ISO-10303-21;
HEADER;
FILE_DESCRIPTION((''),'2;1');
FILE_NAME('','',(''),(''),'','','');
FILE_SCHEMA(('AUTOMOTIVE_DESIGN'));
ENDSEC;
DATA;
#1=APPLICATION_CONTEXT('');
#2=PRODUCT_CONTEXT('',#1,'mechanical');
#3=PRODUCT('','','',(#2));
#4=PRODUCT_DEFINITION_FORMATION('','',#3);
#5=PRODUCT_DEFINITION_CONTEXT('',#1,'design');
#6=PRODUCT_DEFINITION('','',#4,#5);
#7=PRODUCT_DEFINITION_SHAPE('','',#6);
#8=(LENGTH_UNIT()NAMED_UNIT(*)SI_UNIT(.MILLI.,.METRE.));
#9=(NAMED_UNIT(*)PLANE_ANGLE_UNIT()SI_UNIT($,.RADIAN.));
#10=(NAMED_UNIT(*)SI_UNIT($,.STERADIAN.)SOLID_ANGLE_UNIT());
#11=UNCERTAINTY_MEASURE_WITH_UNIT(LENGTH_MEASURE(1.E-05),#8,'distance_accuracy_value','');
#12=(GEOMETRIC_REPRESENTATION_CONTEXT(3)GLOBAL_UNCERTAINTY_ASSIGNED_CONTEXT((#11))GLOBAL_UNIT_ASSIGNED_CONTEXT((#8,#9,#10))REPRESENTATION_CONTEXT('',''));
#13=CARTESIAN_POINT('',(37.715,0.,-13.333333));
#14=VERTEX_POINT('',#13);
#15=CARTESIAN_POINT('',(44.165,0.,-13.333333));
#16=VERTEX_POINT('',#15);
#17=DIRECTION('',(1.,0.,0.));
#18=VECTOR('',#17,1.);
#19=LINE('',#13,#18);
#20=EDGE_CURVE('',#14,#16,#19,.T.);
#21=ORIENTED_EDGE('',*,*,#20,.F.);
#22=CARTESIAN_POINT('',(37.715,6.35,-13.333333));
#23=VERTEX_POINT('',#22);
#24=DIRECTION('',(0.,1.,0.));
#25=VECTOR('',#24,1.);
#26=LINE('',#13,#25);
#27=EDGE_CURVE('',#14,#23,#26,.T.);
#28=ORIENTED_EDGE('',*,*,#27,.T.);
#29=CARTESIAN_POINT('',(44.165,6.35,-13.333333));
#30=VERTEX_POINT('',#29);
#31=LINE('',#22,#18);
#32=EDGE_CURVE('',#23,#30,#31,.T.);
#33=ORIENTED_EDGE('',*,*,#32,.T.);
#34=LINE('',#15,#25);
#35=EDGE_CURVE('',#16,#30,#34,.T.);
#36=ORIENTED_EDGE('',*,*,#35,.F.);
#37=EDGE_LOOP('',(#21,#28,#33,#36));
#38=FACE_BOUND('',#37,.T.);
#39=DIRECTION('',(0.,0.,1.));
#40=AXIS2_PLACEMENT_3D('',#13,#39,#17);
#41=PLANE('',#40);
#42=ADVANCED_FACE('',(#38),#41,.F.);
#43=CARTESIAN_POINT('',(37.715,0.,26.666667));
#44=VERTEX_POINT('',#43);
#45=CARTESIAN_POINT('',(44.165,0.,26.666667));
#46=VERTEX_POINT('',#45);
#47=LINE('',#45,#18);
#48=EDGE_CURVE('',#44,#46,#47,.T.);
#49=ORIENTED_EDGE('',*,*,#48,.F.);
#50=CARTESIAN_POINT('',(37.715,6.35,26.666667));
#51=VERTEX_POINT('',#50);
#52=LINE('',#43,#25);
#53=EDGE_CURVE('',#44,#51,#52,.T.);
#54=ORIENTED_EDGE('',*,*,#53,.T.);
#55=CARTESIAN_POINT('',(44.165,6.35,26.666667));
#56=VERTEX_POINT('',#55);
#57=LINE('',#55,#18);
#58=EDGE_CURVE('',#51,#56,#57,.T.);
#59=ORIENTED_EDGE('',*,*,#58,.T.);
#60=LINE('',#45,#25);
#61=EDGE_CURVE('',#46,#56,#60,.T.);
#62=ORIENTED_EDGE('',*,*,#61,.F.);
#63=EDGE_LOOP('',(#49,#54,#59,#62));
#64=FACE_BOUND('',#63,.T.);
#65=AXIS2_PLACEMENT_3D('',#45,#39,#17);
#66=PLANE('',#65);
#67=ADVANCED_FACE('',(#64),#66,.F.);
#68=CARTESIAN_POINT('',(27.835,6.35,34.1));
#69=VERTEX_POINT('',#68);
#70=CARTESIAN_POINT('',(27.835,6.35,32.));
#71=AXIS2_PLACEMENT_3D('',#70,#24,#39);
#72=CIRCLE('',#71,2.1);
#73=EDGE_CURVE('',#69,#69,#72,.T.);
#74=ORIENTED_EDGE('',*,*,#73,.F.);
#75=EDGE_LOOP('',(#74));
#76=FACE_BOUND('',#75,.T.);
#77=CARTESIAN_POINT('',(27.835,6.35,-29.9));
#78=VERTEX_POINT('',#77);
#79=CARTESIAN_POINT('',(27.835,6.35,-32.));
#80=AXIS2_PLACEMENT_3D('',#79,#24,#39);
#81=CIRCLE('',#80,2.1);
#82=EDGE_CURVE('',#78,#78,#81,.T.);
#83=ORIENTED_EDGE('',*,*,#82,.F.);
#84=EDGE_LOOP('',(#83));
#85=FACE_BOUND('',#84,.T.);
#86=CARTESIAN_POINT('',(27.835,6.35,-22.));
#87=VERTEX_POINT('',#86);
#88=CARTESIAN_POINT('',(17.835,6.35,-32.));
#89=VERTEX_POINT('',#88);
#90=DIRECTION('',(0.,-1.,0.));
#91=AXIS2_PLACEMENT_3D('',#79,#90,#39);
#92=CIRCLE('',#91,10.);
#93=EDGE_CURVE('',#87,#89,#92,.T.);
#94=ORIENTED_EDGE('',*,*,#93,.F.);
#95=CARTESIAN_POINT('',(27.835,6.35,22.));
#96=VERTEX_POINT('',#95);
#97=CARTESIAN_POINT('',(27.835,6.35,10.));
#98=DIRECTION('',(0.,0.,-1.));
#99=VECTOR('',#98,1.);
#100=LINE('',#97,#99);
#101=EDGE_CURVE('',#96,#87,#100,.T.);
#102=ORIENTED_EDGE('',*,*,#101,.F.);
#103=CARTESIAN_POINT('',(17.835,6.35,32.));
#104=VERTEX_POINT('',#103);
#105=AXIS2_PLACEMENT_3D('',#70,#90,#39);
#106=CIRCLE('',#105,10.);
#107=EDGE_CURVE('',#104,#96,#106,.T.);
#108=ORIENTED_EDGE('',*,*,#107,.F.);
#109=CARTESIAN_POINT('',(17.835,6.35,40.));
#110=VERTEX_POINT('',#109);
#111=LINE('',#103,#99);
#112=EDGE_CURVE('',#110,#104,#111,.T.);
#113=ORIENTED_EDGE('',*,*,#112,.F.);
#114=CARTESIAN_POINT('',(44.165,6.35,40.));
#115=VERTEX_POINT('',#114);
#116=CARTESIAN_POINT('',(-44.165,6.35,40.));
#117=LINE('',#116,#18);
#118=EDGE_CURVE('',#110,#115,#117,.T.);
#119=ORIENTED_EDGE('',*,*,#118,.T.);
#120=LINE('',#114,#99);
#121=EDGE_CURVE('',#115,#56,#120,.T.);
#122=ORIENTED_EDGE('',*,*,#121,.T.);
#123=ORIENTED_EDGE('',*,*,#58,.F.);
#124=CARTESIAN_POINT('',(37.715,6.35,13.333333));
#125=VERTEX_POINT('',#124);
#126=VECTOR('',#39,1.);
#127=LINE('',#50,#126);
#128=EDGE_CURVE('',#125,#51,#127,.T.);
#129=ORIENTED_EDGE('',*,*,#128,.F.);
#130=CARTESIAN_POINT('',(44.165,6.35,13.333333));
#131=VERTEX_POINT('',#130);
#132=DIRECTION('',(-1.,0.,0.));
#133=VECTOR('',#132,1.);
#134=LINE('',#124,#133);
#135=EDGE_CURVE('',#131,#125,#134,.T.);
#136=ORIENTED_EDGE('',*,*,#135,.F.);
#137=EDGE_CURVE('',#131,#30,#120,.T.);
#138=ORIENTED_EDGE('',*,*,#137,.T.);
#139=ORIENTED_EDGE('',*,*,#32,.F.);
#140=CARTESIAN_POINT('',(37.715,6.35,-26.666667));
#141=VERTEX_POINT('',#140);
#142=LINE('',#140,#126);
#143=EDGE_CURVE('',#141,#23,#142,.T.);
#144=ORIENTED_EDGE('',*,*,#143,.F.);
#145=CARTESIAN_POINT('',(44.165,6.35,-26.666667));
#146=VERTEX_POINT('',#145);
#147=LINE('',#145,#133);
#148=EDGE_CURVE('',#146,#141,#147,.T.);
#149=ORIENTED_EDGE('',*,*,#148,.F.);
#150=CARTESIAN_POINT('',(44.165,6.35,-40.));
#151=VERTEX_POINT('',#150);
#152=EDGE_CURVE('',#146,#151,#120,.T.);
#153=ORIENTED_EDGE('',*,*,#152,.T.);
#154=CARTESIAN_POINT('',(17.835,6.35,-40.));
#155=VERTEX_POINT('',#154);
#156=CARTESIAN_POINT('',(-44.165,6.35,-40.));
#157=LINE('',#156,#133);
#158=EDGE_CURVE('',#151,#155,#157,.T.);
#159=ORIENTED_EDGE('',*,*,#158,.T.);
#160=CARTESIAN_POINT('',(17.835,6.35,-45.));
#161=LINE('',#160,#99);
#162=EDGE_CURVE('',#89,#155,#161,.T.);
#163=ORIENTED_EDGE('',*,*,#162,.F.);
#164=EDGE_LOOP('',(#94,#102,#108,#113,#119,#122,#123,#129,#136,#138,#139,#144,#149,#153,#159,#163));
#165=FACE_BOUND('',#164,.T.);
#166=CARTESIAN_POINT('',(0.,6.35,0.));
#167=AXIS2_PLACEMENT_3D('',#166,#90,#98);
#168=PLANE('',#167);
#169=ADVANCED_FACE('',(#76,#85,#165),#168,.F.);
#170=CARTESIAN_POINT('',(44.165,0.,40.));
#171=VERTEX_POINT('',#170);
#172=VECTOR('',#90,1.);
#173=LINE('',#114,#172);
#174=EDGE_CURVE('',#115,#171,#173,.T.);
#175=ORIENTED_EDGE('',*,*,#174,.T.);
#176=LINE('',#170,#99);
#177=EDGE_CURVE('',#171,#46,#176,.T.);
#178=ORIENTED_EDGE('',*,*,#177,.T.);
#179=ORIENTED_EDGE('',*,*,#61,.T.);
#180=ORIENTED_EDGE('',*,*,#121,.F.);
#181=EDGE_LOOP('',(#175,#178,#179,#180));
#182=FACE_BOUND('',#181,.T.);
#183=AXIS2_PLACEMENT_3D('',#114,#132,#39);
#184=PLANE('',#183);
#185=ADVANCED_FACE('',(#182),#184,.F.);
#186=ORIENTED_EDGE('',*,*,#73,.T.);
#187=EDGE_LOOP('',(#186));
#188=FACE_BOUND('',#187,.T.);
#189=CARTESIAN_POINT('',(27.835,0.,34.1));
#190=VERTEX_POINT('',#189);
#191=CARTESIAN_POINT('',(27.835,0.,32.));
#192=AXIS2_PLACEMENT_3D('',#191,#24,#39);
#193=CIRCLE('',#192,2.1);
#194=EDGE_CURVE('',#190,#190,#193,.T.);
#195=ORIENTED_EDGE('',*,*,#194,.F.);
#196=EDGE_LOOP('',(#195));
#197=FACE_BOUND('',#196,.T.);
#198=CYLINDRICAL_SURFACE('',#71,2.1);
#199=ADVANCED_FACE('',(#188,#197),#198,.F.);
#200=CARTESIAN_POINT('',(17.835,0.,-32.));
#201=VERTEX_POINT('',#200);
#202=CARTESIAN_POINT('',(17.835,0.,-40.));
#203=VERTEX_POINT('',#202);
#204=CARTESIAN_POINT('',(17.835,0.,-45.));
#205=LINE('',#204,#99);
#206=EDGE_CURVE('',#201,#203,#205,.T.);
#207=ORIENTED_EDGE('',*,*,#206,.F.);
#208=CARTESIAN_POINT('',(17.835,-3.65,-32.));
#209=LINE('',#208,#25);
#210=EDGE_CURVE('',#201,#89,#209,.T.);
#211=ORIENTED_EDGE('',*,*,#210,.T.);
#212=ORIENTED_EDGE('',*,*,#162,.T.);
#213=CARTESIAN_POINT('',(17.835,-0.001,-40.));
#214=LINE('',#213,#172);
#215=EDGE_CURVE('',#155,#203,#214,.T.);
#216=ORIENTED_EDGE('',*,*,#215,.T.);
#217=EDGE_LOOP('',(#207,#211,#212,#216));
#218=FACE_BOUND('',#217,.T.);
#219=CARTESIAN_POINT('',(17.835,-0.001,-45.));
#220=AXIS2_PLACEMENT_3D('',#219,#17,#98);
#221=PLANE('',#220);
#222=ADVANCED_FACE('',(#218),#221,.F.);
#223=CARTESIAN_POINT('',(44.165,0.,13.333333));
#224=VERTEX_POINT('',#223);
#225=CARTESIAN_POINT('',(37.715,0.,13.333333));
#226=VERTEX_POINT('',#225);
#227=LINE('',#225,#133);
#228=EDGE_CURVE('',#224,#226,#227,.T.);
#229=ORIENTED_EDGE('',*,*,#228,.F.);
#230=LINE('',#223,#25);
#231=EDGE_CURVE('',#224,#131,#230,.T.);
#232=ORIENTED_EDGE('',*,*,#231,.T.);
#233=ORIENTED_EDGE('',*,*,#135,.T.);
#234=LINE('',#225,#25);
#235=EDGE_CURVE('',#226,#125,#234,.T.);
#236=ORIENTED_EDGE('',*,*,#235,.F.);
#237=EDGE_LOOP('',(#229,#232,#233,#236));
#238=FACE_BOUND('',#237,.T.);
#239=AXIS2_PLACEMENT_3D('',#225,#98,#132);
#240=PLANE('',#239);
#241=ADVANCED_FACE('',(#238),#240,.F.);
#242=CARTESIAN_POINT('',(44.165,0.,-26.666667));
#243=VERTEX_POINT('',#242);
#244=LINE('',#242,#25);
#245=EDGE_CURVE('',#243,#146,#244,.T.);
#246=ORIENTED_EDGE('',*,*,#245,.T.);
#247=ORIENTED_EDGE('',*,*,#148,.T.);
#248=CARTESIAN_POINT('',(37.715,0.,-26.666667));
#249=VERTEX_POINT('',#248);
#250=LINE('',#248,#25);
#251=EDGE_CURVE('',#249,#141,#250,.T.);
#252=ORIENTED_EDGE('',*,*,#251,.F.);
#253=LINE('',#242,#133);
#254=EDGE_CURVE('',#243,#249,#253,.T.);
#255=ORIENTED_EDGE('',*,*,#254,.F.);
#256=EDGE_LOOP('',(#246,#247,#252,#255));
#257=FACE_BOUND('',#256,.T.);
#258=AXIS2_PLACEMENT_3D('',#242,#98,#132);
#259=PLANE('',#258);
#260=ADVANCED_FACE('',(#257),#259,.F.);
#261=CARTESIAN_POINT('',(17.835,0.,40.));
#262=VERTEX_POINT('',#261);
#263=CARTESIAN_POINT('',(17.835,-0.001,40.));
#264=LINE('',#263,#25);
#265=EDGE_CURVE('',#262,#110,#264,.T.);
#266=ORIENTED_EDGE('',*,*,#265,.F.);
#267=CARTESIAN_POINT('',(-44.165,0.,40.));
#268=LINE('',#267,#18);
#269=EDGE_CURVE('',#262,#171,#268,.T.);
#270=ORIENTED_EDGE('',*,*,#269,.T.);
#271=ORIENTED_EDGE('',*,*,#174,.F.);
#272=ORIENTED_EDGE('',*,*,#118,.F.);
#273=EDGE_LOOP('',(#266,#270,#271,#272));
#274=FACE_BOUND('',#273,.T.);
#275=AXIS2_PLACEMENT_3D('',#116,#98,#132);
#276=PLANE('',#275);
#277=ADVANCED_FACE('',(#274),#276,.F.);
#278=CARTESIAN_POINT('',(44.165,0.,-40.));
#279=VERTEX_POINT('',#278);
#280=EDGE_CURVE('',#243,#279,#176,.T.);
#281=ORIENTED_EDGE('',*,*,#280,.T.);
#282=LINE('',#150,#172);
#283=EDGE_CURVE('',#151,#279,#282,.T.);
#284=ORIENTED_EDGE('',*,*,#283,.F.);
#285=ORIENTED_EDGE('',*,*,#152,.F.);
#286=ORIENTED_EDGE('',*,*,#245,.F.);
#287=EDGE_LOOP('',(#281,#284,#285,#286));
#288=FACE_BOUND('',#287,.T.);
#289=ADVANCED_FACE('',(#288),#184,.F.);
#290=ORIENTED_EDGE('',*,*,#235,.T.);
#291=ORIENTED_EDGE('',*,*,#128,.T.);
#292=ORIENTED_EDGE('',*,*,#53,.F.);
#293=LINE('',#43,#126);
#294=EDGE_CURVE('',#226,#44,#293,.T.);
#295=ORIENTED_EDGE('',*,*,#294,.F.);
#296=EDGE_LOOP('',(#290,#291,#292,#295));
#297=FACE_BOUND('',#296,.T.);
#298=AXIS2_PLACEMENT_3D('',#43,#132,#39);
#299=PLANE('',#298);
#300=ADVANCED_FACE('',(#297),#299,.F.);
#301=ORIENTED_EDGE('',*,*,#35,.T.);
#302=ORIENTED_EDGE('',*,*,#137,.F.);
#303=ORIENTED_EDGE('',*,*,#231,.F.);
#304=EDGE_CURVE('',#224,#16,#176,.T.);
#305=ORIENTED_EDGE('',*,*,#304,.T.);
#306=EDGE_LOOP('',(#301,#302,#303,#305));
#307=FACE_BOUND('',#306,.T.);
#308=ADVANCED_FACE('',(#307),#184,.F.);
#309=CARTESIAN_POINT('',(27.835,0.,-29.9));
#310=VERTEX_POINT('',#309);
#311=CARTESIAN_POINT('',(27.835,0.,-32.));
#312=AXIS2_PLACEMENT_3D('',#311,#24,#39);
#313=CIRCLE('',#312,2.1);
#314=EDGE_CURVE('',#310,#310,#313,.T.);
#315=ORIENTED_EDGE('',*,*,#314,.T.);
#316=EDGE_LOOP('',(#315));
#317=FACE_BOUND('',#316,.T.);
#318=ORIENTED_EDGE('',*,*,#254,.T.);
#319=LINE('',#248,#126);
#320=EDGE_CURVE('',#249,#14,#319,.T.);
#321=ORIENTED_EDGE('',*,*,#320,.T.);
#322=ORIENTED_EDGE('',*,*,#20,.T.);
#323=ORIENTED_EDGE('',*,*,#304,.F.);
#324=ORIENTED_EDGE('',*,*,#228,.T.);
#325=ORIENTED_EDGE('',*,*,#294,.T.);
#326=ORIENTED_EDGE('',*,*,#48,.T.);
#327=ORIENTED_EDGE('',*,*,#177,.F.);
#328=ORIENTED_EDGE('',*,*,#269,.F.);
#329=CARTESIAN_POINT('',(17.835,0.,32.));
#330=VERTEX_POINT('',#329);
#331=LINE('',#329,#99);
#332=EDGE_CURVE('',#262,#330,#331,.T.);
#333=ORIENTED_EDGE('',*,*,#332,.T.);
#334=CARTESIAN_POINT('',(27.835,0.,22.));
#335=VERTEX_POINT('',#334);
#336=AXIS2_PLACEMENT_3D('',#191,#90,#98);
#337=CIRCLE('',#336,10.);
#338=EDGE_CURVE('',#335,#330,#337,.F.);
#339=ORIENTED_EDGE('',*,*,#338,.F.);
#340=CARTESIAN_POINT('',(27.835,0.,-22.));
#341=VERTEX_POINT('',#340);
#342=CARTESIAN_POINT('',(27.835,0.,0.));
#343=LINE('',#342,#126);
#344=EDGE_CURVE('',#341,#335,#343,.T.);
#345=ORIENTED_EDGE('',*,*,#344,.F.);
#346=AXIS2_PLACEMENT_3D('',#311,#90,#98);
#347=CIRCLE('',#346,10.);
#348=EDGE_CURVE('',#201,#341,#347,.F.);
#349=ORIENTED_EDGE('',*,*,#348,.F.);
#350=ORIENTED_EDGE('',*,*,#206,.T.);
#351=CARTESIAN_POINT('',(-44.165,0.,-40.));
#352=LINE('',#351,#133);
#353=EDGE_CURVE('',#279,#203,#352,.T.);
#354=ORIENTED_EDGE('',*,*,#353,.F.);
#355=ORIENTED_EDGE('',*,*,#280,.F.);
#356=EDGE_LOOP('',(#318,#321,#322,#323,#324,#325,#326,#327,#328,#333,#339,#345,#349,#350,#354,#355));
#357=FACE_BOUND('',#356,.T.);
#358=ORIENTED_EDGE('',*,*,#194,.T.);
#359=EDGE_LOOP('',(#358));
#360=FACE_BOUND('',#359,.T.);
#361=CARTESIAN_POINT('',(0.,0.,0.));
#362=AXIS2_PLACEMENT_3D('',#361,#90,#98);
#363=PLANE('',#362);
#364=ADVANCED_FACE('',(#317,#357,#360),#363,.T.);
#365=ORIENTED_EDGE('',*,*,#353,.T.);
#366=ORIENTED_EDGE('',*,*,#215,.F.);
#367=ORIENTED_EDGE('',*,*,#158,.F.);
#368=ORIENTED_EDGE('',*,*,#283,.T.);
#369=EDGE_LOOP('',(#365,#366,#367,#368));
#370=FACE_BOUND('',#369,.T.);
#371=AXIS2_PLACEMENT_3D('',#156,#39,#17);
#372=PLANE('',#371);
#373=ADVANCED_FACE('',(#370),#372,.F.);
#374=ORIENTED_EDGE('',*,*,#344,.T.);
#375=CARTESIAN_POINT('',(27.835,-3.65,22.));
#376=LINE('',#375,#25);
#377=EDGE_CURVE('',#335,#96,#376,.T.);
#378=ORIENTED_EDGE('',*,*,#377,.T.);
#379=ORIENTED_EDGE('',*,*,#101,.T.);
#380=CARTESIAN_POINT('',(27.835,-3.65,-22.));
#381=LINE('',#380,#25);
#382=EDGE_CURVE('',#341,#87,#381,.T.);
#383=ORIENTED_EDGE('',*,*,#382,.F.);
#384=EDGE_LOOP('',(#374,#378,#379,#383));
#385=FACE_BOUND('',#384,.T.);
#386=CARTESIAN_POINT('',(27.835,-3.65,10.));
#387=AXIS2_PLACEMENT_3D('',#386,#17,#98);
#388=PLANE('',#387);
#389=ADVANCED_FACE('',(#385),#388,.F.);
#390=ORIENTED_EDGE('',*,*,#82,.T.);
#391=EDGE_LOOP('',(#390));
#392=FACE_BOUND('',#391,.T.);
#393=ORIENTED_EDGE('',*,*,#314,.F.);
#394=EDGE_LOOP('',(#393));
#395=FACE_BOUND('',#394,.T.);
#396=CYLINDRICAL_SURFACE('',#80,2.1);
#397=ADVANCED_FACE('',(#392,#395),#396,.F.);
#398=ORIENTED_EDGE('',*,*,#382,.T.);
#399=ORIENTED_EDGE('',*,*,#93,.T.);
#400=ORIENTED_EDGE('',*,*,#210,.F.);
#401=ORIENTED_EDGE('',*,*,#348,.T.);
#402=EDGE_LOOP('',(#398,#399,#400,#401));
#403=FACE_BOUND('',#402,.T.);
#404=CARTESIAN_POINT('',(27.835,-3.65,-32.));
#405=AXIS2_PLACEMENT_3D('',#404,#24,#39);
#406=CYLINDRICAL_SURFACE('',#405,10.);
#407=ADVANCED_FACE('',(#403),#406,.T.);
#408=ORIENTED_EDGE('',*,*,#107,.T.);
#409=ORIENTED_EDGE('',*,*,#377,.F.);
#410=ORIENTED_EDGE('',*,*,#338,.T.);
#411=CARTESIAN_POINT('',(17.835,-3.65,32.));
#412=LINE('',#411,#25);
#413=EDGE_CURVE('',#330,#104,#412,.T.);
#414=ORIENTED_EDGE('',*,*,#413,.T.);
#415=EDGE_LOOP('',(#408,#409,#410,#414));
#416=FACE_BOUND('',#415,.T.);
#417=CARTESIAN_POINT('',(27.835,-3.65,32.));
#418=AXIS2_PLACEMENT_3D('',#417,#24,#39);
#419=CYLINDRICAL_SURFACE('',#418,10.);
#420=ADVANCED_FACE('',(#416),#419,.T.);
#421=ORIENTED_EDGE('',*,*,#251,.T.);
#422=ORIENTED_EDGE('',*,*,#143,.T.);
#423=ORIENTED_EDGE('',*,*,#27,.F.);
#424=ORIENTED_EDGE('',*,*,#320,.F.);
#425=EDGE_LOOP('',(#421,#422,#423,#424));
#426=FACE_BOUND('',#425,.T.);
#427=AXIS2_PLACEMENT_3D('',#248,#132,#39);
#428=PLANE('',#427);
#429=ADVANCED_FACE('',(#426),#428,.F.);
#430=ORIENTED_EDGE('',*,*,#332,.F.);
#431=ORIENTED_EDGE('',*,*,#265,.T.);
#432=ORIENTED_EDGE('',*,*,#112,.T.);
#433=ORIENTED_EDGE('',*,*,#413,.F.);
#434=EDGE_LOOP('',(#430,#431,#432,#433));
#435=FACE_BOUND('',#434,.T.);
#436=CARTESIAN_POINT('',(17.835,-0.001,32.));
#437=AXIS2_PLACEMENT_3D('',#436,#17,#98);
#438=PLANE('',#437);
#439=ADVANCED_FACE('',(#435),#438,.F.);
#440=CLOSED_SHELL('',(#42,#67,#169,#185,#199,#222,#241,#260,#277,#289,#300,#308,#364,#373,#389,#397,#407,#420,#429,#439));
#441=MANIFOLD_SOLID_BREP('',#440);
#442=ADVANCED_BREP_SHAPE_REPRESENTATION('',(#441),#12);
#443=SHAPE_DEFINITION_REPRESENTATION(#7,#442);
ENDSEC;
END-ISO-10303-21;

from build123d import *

# Parameters (mm, degrees)
SKETCH2_W           = 88.33
SKETCH2_H           = 80
BOSS_EXTRUDE1_DEPTH = 6.35
SKETCH3_W           = 6.45
SKETCH3_H           = 13.333333334
CUT_EXTRUDE1_DEPTH  = 60.923866072
M5_TAPPED_HOLE1_D   = 4.2
CUT_EXTRUDE2_DEPTH  = 10
CUT_EXTRUDE3_REACH  = 61.924


with BuildPart() as part:
    # Sketch2 → Boss-Extrude1 (new body)
    with BuildSketch(Plane(origin=(0, 0, 0), x_dir=(1, 0, 0), z_dir=(0, 1, 0))):
        Rectangle(SKETCH2_W, SKETCH2_H)
    extrude(amount=BOSS_EXTRUDE1_DEPTH)

    # Sketch3 → Cut-Extrude1 (cut, through all)
    with BuildSketch(Plane(origin=(0, 6.35, 0), x_dir=(1, 0, 0), z_dir=(0, 1, 0))):
        with Locations((40.94, -20)):
            Rectangle(SKETCH3_W, SKETCH3_H)
        with Locations((40.94, 20)):
            Rectangle(SKETCH3_W, SKETCH3_H)
    extrude(amount=-CUT_EXTRUDE1_DEPTH, mode=Mode.SUBTRACT)

    # M5 Tapped Hole1 (through all)
    with Locations(Plane(origin=(0, 6.35, 0), x_dir=(1, 0, 0), z_dir=(0, 1, 0))):
        with Locations((-36.165, 32), (27.835, 32), (-36.165, -32), (27.835, -32)):
            Hole(M5_TAPPED_HOLE1_D / 2)

    # Sketch7 → Cut-Extrude2 (cut)
    with BuildSketch(Plane(origin=(0, 6.35, 0), x_dir=(1, 0, 0), z_dir=(0, 1, 0))):
        with BuildLine():
            Line((-26.165, 32), (-14.165, 32))
            ThreePointArc((-14.165, 32), (-10.629466094, 30.535533906), (-9.165, 27))
            Line((-9.165, 27), (-9.165, 10))
            ThreePointArc((-9.165, 10), (-10.629466094, 6.464466094), (-14.165, 5))
            Line((-14.165, 5), (-31.165, 5))
            ThreePointArc((-31.165, 5), (-34.700533906, 6.464466094), (-36.165, 10))
            Line((-36.165, 10), (-36.165, 22))
            ThreePointArc((-36.165, 22), (-29.093932188, 24.928932188), (-26.165, 32))
        make_face()
        with BuildLine():
            Line((-31.165, -5), (-14.165, -5))
            ThreePointArc((-14.165, -5), (-10.629466094, -6.464466094), (-9.165, -10))
            Line((-9.165, -10), (-9.165, -27))
            ThreePointArc((-9.165, -27), (-10.629466094, -30.535533906), (-14.165, -32))
            Line((-14.165, -32), (-26.165, -32))
            ThreePointArc((-26.165, -32), (-29.093932188, -24.928932188), (-36.165, -22))
            Line((-36.165, -22), (-36.165, -10))
            ThreePointArc((-36.165, -10), (-34.700533906, -6.464466094), (-31.165, -5))
        make_face()
        with BuildLine():
            Line((27.835, 22), (27.835, 10))
            ThreePointArc((27.835, 10), (26.370533906, 6.464466094), (22.835, 5))
            Line((22.835, 5), (5.835, 5))
            ThreePointArc((5.835, 5), (2.299466094, 6.464466094), (0.835, 10))
            Line((0.835, 10), (0.835, 27))
            ThreePointArc((0.835, 27), (2.299466094, 30.535533906), (5.835, 32))
            Line((5.835, 32), (17.835, 32))
            ThreePointArc((17.835, 32), (20.763932188, 24.928932188), (27.835, 22))
        make_face()
        with BuildLine():
            Line((17.835, -32), (5.835, -32))
            ThreePointArc((5.835, -32), (2.299466094, -30.535533906), (0.835, -27))
            Line((0.835, -27), (0.835, -10))
            ThreePointArc((0.835, -10), (2.299466094, -6.464466094), (5.835, -5))
            Line((5.835, -5), (22.835, -5))
            ThreePointArc((22.835, -5), (26.370533906, -6.464466094), (27.835, -10))
            Line((27.835, -10), (27.835, -22))
            ThreePointArc((27.835, -22), (20.763932188, -24.928932188), (17.835, -32))
        make_face()
    extrude(amount=-CUT_EXTRUDE2_DEPTH, mode=Mode.SUBTRACT)

    # Sketch8 → Cut-Extrude3 (cut, up to next)
    with BuildSketch(Plane(origin=(0, 6.35, 0), x_dir=(1, 0, 0), z_dir=(0, 1, 0)), mode=Mode.PRIVATE) as cut_extrude3_sk1:
        with BuildLine():
            Line((17.835, 45), (17.835, 32))
            ThreePointArc((17.835, 32), (20.763932188, 24.928932188), (27.835, 22))
            Line((27.835, 22), (27.835, -22))
            ThreePointArc((27.835, -22), (20.763932188, -24.928932188), (17.835, -32))
            Line((17.835, -32), (17.835, -45))
            Line((17.835, -45), (-49.165, -45))
            Line((-49.165, -45), (-49.165, 45))
            Line((-49.165, 45), (17.835, 45))
        make_face()
    cut_extrude3_tool1 = extrude(cut_extrude3_sk1.sketch, amount=-CUT_EXTRUDE3_REACH, mode=Mode.PRIVATE) & part.part
    add(cut_extrude3_tool1.solids().sort_by_distance((-12.82853, 6.35, 0))[0], mode=Mode.SUBTRACT)


solid = part.part
